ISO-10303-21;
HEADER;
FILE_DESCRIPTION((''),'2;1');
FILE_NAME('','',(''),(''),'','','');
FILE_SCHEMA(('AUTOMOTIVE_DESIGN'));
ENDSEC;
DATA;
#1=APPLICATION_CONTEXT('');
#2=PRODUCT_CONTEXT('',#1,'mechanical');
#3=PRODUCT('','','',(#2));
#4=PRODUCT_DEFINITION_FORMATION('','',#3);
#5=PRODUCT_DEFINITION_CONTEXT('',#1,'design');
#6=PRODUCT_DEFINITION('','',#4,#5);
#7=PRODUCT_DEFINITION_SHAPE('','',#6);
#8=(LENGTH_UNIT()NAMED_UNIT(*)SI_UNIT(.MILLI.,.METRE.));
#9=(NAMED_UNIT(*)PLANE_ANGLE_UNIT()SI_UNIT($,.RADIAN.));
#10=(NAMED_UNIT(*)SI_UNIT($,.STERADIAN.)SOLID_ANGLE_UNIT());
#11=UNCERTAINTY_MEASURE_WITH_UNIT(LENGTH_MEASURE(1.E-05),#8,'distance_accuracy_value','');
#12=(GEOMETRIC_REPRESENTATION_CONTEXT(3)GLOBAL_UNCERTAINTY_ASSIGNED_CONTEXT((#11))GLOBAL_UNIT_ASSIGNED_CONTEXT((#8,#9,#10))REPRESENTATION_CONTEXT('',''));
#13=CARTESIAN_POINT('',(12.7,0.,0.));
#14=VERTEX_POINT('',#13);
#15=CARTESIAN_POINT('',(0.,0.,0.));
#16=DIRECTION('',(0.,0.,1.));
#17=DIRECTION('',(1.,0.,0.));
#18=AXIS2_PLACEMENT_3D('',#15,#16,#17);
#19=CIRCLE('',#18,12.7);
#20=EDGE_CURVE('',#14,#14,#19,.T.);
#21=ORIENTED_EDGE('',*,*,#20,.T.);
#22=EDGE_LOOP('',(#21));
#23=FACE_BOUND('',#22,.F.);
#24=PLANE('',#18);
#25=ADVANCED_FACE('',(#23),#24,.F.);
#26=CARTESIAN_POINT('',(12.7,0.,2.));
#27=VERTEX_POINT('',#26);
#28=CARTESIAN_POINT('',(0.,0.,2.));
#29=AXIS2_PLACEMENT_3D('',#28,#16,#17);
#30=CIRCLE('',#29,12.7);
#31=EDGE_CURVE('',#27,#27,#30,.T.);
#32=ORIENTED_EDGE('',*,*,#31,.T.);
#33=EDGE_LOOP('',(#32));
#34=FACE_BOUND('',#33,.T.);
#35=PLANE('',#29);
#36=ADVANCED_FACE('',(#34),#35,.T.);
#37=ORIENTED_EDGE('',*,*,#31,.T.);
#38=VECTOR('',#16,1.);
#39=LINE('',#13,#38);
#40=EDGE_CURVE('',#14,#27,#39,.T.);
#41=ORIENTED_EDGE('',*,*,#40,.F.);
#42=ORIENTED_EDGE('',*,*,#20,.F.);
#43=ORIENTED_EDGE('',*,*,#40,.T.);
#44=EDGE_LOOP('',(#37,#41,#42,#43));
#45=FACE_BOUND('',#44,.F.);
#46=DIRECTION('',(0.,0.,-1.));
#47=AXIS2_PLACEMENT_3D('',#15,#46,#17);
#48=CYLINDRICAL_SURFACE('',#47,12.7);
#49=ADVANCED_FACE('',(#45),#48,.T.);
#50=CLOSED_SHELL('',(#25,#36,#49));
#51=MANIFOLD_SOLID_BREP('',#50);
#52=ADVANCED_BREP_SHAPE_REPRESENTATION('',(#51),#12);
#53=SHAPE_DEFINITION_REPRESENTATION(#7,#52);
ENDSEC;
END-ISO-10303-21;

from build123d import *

# Parameters (mm, degrees)
SKETCH_1_R      = 12.7
EXTRUDE_1_DEPTH = 2


with BuildPart() as part:
    # 草图1 → 凸台-拉伸1 (new body)
    with BuildSketch(Plane.XY):
        Circle(SKETCH_1_R)
    extrude(amount=EXTRUDE_1_DEPTH)


solid = part.part
